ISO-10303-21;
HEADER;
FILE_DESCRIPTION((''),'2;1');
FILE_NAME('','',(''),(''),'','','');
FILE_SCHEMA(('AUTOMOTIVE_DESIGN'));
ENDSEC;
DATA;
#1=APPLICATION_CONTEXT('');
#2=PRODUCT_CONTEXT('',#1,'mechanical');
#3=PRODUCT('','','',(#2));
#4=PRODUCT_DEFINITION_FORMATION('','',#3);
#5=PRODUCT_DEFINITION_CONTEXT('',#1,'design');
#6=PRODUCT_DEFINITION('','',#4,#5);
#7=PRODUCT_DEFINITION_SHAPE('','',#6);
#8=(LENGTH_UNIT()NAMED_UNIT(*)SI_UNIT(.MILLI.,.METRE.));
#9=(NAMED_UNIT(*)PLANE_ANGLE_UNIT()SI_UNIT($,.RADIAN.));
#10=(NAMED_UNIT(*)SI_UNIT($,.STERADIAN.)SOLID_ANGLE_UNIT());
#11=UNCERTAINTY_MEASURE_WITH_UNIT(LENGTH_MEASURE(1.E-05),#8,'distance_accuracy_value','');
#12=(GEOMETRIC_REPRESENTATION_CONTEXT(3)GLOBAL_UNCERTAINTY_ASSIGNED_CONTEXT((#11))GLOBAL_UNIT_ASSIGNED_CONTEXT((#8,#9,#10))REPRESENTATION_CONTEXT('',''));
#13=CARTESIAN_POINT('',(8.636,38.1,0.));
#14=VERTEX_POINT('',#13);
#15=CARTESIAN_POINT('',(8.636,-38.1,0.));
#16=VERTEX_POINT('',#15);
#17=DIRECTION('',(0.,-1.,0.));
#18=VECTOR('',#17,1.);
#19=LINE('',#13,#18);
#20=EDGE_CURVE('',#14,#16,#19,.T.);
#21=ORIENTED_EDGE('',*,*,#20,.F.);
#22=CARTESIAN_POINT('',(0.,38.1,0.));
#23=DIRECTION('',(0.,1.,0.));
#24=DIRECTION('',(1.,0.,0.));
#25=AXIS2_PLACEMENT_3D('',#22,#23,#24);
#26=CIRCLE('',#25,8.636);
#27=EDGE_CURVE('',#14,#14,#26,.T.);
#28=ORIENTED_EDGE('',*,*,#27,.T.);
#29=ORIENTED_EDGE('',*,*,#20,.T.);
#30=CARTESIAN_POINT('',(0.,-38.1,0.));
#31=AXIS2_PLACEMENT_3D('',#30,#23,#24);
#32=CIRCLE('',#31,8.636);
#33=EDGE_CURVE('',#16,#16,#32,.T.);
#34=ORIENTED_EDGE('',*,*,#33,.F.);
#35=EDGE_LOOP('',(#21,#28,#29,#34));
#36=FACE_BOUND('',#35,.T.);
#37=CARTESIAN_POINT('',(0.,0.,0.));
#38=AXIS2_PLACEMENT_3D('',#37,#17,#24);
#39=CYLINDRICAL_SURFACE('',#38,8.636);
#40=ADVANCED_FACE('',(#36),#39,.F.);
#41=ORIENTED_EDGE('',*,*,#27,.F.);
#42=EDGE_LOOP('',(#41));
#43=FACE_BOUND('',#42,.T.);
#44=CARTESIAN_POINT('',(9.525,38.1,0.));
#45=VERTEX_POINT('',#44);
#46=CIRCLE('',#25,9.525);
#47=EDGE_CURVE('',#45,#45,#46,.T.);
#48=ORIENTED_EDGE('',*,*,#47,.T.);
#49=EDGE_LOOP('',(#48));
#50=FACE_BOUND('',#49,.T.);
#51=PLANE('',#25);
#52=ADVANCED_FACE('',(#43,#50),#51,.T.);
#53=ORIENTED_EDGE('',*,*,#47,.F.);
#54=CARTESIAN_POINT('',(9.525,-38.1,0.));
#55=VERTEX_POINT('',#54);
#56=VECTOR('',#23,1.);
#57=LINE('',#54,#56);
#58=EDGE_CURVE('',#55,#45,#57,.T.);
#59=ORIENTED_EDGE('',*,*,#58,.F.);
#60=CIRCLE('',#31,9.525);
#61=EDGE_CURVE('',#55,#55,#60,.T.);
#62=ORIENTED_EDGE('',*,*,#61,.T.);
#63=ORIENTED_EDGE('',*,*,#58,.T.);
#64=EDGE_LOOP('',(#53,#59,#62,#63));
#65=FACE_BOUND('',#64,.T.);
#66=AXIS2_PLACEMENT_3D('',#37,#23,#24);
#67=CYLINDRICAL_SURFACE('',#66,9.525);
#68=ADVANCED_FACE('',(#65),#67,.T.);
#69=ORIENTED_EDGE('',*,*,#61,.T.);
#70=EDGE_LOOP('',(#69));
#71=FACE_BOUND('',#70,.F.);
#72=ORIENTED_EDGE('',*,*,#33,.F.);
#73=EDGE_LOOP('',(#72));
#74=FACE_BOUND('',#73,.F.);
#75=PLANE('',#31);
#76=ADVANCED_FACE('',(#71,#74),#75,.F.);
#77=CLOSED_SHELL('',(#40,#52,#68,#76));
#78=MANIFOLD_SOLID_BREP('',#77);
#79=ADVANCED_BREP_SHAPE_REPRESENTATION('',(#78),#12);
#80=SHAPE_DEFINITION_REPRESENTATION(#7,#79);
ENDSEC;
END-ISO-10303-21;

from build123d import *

# Parameters (mm, degrees)
SKETCH1_R           = 9.525
SKETCH1_R_2         = 8.636
BOSS_EXTRUDE1_DEPTH = 38.1


with BuildPart() as part:
    # Sketch1 → Boss-Extrude1 (new body, symmetric)
    with BuildSketch(Plane(origin=(0, 0, 0), x_dir=(1, 0, 0), z_dir=(0, 1, 0))):
        Circle(SKETCH1_R)
        Circle(SKETCH1_R_2, mode=Mode.SUBTRACT)
    extrude(amount=BOSS_EXTRUDE1_DEPTH, both=True)


solid = part.part
